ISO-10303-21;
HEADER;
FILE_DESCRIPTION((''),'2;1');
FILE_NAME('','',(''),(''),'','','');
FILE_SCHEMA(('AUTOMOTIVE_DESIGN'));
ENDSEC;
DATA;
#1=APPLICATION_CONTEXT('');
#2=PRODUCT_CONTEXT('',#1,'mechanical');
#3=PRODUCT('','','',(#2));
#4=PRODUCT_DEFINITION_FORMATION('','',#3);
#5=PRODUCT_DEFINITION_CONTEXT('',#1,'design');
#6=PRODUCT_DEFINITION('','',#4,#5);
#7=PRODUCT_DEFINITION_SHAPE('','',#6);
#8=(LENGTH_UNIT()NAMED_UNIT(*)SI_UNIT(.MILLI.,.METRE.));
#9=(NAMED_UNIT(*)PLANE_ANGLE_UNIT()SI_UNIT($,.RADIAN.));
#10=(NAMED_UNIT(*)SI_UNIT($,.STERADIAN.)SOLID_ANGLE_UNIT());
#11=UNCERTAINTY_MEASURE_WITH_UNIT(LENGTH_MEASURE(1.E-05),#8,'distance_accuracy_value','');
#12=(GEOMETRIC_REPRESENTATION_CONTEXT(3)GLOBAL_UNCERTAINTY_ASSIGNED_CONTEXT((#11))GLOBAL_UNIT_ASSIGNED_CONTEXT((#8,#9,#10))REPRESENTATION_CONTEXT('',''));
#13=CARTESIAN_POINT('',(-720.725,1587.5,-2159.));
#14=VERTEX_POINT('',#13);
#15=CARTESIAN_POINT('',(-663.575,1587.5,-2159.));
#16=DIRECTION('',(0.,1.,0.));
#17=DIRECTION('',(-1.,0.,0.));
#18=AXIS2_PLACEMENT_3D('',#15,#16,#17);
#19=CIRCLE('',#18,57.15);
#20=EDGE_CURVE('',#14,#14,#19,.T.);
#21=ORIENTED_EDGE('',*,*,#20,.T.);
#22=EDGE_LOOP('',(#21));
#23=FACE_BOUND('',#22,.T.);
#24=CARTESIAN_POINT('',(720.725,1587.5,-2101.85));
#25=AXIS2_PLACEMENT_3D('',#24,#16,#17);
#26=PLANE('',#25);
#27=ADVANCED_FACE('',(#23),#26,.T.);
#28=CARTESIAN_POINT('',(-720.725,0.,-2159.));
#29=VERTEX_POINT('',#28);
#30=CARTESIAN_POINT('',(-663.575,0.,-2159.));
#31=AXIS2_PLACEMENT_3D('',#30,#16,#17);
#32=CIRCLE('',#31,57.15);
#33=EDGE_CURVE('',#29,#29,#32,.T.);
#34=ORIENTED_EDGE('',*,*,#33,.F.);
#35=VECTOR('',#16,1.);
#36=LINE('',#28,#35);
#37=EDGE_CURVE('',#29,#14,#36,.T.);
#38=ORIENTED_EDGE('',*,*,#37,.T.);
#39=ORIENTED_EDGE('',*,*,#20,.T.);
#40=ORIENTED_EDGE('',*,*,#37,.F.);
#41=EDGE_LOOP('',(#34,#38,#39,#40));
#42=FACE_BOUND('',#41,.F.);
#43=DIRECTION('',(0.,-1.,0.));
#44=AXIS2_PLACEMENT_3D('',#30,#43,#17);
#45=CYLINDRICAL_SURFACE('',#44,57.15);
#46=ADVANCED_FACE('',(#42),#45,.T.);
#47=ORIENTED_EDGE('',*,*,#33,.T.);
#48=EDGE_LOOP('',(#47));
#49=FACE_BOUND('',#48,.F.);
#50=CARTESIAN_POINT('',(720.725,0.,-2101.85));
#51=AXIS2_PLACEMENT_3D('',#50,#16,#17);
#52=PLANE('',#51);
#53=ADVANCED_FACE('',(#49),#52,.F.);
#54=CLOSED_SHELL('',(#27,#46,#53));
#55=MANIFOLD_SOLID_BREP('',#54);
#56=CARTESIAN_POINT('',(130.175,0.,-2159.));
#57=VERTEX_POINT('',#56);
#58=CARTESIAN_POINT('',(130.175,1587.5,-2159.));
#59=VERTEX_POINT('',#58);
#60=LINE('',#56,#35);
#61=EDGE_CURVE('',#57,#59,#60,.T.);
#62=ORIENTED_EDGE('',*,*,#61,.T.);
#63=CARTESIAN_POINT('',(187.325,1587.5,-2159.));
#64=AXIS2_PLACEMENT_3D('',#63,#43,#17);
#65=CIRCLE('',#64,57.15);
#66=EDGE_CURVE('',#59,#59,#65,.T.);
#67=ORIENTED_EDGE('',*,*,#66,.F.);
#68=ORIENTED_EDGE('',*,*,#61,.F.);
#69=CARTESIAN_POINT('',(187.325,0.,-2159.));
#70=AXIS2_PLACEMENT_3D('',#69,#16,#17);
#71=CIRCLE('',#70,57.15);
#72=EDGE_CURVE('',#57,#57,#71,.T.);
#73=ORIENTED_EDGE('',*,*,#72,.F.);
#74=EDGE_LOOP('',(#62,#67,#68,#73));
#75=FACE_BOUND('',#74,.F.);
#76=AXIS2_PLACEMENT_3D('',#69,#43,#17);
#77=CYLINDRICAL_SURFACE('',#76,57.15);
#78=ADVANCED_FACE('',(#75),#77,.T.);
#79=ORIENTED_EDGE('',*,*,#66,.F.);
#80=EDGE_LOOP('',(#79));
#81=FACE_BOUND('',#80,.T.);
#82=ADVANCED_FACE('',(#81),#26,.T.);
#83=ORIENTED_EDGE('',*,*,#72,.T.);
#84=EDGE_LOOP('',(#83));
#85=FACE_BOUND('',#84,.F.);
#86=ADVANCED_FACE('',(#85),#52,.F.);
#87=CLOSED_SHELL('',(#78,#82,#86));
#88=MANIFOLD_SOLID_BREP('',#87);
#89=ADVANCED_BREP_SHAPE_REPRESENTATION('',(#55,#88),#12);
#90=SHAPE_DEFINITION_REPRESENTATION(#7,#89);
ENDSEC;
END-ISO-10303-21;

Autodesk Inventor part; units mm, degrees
ref_plane "YZ Plane" through (0, 0, 0) normal (1, 0, 0) x (0, 1, 0)
ref_plane "XZ Plane" through (0, 0, 0) normal (0, 1, 0) x (-1, 0, 0)
ref_plane "XY Plane" through (0, 0, 0) normal (0, 0, 1) x (1, 0, 0)
sketch "Sketch1" plane through (720.725, 0, -2101.85) normal (0, 1, 0) x (-1, 0, 0)
  line L0 (0, -25.4) -> (0, -88.9)
  line L1 (0, -57.15) -> (1266.7426, -57.15)
  circle A0 centre (533.4, -57.15) radius 57.15
  circle A1 centre (1384.3, -57.15) radius 57.15
  point P0 (984.25, 4318)
  dimension "d2" = 114.3
  dimension "d3" = 533.4
  dimension "d0" = 114.3
  dimension "d1" = 850.9
extrude "Extrusion1" add sketch "Sketch1" along normal blind 1587.5
properties part number "Cylinder Supports" material "Steel ASTM A36"
